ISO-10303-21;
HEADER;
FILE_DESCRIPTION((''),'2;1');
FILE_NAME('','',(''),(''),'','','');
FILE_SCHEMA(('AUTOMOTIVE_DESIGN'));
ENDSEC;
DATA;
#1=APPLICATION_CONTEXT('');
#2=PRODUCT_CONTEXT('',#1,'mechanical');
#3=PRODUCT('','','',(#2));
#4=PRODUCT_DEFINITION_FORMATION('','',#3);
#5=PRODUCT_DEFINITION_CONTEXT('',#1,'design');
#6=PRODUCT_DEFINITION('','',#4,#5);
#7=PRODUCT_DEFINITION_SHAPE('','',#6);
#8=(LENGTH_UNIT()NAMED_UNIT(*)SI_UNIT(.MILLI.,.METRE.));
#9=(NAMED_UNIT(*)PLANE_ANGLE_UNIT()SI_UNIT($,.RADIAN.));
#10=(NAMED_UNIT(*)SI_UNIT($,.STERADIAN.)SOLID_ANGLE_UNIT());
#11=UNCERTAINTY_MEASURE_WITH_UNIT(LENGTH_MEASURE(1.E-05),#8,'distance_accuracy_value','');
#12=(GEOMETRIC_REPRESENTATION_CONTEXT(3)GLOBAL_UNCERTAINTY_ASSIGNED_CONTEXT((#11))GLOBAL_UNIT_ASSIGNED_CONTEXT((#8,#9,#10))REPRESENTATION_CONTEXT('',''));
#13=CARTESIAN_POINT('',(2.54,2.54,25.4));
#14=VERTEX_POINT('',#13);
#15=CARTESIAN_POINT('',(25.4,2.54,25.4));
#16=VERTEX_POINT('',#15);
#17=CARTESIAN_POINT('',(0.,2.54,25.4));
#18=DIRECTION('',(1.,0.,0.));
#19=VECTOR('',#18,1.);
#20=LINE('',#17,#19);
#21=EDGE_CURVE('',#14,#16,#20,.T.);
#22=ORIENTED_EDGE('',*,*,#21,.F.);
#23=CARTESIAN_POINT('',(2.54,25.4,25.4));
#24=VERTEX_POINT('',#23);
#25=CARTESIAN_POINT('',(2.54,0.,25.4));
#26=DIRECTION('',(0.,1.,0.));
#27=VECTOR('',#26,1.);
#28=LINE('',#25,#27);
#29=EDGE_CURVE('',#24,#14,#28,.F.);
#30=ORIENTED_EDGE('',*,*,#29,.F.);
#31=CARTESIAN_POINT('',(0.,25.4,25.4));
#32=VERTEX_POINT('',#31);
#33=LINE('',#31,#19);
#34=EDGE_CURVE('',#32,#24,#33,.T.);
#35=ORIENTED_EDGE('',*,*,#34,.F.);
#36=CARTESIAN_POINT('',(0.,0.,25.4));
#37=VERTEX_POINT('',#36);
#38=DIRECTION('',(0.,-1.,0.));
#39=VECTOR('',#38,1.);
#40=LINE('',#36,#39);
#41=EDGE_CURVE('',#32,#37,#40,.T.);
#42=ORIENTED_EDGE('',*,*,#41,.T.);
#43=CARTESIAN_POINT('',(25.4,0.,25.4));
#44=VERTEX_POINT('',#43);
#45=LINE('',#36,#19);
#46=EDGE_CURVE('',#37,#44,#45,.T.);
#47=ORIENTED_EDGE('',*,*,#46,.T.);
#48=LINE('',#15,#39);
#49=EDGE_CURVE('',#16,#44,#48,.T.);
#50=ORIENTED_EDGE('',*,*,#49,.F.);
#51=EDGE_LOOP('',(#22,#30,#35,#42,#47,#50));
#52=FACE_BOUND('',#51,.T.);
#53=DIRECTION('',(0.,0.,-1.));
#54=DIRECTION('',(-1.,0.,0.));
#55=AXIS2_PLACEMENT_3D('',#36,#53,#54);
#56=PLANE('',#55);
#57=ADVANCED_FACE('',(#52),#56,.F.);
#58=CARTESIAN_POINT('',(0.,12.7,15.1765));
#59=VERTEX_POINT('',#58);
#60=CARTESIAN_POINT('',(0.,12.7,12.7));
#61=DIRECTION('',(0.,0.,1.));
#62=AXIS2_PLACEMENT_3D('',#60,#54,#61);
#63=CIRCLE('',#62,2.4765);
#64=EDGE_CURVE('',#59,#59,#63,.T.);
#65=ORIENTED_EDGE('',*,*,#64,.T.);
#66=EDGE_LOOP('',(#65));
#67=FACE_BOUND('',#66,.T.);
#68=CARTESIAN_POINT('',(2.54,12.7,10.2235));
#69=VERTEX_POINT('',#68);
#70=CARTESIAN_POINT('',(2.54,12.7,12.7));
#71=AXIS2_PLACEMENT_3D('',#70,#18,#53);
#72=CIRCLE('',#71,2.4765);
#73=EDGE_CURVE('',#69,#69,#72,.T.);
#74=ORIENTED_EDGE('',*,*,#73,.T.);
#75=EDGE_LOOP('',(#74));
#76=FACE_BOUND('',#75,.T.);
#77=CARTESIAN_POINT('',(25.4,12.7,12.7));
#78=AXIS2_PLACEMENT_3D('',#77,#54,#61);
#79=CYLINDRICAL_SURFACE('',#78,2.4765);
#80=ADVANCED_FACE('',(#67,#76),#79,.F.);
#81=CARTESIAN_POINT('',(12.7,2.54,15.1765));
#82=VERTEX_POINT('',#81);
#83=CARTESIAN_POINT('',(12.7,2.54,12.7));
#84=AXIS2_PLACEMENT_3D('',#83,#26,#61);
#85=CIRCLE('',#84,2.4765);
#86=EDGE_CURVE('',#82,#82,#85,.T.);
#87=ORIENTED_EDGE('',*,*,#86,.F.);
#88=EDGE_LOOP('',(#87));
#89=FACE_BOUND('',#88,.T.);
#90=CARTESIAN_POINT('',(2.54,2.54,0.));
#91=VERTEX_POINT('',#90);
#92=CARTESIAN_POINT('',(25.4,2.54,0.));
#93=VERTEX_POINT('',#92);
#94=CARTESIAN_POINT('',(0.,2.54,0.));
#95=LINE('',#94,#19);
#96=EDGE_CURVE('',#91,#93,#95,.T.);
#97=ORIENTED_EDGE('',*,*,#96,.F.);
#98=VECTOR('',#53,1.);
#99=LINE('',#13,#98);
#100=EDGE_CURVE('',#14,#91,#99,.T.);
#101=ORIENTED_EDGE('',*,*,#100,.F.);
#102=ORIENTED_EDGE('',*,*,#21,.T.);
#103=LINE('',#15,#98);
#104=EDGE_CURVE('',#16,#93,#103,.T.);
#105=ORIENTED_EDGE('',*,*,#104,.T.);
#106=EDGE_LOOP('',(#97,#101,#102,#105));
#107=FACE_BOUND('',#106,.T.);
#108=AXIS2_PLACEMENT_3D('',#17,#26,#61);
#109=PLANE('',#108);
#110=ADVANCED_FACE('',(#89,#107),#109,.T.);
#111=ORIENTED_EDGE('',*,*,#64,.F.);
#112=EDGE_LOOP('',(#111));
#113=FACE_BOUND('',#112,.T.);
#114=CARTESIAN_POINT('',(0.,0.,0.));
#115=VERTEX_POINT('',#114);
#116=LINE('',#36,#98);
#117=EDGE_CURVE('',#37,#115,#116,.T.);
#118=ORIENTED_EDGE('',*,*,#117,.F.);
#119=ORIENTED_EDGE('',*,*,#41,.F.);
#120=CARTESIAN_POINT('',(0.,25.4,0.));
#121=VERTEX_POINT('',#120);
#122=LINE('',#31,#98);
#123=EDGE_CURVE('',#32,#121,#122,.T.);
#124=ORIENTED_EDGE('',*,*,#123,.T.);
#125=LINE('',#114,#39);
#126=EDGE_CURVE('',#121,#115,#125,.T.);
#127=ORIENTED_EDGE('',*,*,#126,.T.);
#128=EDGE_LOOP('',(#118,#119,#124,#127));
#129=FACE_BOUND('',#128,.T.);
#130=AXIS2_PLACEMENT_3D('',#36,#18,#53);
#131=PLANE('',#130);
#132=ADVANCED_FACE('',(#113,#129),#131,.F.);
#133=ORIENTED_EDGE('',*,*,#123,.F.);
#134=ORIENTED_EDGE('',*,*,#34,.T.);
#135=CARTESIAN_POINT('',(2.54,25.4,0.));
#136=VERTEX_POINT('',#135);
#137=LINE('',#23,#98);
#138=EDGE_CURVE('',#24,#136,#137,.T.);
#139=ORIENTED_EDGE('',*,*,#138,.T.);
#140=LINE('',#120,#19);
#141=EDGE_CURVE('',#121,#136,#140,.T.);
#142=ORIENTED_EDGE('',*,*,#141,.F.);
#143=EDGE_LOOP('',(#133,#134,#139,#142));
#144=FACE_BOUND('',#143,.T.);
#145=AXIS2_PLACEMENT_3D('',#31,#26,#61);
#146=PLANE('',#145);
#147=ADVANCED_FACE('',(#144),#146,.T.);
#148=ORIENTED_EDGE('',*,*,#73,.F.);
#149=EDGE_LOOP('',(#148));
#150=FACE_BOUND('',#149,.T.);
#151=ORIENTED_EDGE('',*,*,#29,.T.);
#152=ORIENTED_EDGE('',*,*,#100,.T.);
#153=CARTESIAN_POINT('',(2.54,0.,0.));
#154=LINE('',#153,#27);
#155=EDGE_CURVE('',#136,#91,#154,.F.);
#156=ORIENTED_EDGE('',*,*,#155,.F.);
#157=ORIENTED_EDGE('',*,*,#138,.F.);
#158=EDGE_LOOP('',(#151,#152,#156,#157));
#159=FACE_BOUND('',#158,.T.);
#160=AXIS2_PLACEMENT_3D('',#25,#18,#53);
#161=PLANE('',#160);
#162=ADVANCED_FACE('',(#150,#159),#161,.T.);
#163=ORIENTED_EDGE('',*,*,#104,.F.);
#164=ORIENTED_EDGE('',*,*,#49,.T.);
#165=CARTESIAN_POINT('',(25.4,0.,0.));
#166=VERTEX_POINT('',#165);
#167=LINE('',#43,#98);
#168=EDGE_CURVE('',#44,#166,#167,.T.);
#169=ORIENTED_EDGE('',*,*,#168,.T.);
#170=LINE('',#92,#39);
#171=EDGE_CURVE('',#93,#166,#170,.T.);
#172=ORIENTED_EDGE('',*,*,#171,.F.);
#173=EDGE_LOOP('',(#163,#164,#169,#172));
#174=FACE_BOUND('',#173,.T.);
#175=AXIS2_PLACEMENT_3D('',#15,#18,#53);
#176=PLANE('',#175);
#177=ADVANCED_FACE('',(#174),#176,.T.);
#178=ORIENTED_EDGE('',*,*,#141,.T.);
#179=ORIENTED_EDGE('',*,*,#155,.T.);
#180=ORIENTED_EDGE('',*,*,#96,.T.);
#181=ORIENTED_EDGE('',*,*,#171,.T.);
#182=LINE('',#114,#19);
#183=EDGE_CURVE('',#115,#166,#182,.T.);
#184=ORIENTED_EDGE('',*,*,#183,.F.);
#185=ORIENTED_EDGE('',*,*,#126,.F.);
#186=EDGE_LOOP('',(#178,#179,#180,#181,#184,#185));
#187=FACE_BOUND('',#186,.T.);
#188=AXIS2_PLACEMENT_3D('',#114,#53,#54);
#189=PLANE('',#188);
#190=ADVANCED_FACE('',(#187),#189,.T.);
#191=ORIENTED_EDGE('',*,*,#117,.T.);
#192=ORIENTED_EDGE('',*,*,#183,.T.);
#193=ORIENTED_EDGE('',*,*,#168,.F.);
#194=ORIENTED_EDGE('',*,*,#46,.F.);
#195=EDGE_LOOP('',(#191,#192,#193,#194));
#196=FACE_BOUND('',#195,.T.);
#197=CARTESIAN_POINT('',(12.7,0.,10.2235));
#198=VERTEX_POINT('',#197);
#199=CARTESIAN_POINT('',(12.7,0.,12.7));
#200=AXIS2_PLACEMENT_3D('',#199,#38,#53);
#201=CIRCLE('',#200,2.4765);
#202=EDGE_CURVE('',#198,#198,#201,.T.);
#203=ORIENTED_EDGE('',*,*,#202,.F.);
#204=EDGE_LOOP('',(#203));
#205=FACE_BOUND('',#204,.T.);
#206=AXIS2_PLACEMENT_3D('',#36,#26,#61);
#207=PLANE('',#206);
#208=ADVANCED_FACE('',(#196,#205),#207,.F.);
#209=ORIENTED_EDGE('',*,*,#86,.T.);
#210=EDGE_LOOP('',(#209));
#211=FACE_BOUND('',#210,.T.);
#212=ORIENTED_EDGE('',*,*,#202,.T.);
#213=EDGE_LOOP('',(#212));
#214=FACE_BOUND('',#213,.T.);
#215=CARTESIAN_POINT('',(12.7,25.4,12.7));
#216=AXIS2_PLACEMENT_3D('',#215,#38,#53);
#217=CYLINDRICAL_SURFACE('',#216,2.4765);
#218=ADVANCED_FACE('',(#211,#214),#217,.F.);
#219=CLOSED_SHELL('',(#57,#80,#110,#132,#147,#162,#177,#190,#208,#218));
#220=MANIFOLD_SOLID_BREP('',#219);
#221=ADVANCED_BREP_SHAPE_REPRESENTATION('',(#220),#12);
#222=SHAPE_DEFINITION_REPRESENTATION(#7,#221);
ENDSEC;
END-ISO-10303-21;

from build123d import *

# Parameters (mm, degrees)
EXTRUDE_THIN1_DEPTH = 25.4
SKETCH3_R           = 2.4765
CUT_EXTRUDE1_DEPTH  = 26.4
SKETCH4_R           = 2.4765
CUT_EXTRUDE2_DEPTH  = 26.4


with BuildPart() as part:
    # Sketch1 → Extrude-Thin1 (new body)
    with BuildSketch(Plane.XY):
        Polygon((25.4, 0), (0, 0), (0, 25.4), (2.54, 25.4), (2.54, 2.54), (25.4, 2.54), align=None)
    extrude(amount=EXTRUDE_THIN1_DEPTH)

    # Sketch3 → Cut-Extrude1 (cut, through all)
    with BuildSketch(Plane.ZY):
        with Locations((12.7, 12.7)):
            Circle(SKETCH3_R)
    extrude(amount=-CUT_EXTRUDE1_DEPTH, mode=Mode.SUBTRACT)

    # Sketch4 → Cut-Extrude2 (cut, through all)
    with BuildSketch(Plane.XZ):
        with Locations((12.7, 12.7)):
            Circle(SKETCH4_R)
    extrude(amount=-CUT_EXTRUDE2_DEPTH, mode=Mode.SUBTRACT)


solid = part.part
